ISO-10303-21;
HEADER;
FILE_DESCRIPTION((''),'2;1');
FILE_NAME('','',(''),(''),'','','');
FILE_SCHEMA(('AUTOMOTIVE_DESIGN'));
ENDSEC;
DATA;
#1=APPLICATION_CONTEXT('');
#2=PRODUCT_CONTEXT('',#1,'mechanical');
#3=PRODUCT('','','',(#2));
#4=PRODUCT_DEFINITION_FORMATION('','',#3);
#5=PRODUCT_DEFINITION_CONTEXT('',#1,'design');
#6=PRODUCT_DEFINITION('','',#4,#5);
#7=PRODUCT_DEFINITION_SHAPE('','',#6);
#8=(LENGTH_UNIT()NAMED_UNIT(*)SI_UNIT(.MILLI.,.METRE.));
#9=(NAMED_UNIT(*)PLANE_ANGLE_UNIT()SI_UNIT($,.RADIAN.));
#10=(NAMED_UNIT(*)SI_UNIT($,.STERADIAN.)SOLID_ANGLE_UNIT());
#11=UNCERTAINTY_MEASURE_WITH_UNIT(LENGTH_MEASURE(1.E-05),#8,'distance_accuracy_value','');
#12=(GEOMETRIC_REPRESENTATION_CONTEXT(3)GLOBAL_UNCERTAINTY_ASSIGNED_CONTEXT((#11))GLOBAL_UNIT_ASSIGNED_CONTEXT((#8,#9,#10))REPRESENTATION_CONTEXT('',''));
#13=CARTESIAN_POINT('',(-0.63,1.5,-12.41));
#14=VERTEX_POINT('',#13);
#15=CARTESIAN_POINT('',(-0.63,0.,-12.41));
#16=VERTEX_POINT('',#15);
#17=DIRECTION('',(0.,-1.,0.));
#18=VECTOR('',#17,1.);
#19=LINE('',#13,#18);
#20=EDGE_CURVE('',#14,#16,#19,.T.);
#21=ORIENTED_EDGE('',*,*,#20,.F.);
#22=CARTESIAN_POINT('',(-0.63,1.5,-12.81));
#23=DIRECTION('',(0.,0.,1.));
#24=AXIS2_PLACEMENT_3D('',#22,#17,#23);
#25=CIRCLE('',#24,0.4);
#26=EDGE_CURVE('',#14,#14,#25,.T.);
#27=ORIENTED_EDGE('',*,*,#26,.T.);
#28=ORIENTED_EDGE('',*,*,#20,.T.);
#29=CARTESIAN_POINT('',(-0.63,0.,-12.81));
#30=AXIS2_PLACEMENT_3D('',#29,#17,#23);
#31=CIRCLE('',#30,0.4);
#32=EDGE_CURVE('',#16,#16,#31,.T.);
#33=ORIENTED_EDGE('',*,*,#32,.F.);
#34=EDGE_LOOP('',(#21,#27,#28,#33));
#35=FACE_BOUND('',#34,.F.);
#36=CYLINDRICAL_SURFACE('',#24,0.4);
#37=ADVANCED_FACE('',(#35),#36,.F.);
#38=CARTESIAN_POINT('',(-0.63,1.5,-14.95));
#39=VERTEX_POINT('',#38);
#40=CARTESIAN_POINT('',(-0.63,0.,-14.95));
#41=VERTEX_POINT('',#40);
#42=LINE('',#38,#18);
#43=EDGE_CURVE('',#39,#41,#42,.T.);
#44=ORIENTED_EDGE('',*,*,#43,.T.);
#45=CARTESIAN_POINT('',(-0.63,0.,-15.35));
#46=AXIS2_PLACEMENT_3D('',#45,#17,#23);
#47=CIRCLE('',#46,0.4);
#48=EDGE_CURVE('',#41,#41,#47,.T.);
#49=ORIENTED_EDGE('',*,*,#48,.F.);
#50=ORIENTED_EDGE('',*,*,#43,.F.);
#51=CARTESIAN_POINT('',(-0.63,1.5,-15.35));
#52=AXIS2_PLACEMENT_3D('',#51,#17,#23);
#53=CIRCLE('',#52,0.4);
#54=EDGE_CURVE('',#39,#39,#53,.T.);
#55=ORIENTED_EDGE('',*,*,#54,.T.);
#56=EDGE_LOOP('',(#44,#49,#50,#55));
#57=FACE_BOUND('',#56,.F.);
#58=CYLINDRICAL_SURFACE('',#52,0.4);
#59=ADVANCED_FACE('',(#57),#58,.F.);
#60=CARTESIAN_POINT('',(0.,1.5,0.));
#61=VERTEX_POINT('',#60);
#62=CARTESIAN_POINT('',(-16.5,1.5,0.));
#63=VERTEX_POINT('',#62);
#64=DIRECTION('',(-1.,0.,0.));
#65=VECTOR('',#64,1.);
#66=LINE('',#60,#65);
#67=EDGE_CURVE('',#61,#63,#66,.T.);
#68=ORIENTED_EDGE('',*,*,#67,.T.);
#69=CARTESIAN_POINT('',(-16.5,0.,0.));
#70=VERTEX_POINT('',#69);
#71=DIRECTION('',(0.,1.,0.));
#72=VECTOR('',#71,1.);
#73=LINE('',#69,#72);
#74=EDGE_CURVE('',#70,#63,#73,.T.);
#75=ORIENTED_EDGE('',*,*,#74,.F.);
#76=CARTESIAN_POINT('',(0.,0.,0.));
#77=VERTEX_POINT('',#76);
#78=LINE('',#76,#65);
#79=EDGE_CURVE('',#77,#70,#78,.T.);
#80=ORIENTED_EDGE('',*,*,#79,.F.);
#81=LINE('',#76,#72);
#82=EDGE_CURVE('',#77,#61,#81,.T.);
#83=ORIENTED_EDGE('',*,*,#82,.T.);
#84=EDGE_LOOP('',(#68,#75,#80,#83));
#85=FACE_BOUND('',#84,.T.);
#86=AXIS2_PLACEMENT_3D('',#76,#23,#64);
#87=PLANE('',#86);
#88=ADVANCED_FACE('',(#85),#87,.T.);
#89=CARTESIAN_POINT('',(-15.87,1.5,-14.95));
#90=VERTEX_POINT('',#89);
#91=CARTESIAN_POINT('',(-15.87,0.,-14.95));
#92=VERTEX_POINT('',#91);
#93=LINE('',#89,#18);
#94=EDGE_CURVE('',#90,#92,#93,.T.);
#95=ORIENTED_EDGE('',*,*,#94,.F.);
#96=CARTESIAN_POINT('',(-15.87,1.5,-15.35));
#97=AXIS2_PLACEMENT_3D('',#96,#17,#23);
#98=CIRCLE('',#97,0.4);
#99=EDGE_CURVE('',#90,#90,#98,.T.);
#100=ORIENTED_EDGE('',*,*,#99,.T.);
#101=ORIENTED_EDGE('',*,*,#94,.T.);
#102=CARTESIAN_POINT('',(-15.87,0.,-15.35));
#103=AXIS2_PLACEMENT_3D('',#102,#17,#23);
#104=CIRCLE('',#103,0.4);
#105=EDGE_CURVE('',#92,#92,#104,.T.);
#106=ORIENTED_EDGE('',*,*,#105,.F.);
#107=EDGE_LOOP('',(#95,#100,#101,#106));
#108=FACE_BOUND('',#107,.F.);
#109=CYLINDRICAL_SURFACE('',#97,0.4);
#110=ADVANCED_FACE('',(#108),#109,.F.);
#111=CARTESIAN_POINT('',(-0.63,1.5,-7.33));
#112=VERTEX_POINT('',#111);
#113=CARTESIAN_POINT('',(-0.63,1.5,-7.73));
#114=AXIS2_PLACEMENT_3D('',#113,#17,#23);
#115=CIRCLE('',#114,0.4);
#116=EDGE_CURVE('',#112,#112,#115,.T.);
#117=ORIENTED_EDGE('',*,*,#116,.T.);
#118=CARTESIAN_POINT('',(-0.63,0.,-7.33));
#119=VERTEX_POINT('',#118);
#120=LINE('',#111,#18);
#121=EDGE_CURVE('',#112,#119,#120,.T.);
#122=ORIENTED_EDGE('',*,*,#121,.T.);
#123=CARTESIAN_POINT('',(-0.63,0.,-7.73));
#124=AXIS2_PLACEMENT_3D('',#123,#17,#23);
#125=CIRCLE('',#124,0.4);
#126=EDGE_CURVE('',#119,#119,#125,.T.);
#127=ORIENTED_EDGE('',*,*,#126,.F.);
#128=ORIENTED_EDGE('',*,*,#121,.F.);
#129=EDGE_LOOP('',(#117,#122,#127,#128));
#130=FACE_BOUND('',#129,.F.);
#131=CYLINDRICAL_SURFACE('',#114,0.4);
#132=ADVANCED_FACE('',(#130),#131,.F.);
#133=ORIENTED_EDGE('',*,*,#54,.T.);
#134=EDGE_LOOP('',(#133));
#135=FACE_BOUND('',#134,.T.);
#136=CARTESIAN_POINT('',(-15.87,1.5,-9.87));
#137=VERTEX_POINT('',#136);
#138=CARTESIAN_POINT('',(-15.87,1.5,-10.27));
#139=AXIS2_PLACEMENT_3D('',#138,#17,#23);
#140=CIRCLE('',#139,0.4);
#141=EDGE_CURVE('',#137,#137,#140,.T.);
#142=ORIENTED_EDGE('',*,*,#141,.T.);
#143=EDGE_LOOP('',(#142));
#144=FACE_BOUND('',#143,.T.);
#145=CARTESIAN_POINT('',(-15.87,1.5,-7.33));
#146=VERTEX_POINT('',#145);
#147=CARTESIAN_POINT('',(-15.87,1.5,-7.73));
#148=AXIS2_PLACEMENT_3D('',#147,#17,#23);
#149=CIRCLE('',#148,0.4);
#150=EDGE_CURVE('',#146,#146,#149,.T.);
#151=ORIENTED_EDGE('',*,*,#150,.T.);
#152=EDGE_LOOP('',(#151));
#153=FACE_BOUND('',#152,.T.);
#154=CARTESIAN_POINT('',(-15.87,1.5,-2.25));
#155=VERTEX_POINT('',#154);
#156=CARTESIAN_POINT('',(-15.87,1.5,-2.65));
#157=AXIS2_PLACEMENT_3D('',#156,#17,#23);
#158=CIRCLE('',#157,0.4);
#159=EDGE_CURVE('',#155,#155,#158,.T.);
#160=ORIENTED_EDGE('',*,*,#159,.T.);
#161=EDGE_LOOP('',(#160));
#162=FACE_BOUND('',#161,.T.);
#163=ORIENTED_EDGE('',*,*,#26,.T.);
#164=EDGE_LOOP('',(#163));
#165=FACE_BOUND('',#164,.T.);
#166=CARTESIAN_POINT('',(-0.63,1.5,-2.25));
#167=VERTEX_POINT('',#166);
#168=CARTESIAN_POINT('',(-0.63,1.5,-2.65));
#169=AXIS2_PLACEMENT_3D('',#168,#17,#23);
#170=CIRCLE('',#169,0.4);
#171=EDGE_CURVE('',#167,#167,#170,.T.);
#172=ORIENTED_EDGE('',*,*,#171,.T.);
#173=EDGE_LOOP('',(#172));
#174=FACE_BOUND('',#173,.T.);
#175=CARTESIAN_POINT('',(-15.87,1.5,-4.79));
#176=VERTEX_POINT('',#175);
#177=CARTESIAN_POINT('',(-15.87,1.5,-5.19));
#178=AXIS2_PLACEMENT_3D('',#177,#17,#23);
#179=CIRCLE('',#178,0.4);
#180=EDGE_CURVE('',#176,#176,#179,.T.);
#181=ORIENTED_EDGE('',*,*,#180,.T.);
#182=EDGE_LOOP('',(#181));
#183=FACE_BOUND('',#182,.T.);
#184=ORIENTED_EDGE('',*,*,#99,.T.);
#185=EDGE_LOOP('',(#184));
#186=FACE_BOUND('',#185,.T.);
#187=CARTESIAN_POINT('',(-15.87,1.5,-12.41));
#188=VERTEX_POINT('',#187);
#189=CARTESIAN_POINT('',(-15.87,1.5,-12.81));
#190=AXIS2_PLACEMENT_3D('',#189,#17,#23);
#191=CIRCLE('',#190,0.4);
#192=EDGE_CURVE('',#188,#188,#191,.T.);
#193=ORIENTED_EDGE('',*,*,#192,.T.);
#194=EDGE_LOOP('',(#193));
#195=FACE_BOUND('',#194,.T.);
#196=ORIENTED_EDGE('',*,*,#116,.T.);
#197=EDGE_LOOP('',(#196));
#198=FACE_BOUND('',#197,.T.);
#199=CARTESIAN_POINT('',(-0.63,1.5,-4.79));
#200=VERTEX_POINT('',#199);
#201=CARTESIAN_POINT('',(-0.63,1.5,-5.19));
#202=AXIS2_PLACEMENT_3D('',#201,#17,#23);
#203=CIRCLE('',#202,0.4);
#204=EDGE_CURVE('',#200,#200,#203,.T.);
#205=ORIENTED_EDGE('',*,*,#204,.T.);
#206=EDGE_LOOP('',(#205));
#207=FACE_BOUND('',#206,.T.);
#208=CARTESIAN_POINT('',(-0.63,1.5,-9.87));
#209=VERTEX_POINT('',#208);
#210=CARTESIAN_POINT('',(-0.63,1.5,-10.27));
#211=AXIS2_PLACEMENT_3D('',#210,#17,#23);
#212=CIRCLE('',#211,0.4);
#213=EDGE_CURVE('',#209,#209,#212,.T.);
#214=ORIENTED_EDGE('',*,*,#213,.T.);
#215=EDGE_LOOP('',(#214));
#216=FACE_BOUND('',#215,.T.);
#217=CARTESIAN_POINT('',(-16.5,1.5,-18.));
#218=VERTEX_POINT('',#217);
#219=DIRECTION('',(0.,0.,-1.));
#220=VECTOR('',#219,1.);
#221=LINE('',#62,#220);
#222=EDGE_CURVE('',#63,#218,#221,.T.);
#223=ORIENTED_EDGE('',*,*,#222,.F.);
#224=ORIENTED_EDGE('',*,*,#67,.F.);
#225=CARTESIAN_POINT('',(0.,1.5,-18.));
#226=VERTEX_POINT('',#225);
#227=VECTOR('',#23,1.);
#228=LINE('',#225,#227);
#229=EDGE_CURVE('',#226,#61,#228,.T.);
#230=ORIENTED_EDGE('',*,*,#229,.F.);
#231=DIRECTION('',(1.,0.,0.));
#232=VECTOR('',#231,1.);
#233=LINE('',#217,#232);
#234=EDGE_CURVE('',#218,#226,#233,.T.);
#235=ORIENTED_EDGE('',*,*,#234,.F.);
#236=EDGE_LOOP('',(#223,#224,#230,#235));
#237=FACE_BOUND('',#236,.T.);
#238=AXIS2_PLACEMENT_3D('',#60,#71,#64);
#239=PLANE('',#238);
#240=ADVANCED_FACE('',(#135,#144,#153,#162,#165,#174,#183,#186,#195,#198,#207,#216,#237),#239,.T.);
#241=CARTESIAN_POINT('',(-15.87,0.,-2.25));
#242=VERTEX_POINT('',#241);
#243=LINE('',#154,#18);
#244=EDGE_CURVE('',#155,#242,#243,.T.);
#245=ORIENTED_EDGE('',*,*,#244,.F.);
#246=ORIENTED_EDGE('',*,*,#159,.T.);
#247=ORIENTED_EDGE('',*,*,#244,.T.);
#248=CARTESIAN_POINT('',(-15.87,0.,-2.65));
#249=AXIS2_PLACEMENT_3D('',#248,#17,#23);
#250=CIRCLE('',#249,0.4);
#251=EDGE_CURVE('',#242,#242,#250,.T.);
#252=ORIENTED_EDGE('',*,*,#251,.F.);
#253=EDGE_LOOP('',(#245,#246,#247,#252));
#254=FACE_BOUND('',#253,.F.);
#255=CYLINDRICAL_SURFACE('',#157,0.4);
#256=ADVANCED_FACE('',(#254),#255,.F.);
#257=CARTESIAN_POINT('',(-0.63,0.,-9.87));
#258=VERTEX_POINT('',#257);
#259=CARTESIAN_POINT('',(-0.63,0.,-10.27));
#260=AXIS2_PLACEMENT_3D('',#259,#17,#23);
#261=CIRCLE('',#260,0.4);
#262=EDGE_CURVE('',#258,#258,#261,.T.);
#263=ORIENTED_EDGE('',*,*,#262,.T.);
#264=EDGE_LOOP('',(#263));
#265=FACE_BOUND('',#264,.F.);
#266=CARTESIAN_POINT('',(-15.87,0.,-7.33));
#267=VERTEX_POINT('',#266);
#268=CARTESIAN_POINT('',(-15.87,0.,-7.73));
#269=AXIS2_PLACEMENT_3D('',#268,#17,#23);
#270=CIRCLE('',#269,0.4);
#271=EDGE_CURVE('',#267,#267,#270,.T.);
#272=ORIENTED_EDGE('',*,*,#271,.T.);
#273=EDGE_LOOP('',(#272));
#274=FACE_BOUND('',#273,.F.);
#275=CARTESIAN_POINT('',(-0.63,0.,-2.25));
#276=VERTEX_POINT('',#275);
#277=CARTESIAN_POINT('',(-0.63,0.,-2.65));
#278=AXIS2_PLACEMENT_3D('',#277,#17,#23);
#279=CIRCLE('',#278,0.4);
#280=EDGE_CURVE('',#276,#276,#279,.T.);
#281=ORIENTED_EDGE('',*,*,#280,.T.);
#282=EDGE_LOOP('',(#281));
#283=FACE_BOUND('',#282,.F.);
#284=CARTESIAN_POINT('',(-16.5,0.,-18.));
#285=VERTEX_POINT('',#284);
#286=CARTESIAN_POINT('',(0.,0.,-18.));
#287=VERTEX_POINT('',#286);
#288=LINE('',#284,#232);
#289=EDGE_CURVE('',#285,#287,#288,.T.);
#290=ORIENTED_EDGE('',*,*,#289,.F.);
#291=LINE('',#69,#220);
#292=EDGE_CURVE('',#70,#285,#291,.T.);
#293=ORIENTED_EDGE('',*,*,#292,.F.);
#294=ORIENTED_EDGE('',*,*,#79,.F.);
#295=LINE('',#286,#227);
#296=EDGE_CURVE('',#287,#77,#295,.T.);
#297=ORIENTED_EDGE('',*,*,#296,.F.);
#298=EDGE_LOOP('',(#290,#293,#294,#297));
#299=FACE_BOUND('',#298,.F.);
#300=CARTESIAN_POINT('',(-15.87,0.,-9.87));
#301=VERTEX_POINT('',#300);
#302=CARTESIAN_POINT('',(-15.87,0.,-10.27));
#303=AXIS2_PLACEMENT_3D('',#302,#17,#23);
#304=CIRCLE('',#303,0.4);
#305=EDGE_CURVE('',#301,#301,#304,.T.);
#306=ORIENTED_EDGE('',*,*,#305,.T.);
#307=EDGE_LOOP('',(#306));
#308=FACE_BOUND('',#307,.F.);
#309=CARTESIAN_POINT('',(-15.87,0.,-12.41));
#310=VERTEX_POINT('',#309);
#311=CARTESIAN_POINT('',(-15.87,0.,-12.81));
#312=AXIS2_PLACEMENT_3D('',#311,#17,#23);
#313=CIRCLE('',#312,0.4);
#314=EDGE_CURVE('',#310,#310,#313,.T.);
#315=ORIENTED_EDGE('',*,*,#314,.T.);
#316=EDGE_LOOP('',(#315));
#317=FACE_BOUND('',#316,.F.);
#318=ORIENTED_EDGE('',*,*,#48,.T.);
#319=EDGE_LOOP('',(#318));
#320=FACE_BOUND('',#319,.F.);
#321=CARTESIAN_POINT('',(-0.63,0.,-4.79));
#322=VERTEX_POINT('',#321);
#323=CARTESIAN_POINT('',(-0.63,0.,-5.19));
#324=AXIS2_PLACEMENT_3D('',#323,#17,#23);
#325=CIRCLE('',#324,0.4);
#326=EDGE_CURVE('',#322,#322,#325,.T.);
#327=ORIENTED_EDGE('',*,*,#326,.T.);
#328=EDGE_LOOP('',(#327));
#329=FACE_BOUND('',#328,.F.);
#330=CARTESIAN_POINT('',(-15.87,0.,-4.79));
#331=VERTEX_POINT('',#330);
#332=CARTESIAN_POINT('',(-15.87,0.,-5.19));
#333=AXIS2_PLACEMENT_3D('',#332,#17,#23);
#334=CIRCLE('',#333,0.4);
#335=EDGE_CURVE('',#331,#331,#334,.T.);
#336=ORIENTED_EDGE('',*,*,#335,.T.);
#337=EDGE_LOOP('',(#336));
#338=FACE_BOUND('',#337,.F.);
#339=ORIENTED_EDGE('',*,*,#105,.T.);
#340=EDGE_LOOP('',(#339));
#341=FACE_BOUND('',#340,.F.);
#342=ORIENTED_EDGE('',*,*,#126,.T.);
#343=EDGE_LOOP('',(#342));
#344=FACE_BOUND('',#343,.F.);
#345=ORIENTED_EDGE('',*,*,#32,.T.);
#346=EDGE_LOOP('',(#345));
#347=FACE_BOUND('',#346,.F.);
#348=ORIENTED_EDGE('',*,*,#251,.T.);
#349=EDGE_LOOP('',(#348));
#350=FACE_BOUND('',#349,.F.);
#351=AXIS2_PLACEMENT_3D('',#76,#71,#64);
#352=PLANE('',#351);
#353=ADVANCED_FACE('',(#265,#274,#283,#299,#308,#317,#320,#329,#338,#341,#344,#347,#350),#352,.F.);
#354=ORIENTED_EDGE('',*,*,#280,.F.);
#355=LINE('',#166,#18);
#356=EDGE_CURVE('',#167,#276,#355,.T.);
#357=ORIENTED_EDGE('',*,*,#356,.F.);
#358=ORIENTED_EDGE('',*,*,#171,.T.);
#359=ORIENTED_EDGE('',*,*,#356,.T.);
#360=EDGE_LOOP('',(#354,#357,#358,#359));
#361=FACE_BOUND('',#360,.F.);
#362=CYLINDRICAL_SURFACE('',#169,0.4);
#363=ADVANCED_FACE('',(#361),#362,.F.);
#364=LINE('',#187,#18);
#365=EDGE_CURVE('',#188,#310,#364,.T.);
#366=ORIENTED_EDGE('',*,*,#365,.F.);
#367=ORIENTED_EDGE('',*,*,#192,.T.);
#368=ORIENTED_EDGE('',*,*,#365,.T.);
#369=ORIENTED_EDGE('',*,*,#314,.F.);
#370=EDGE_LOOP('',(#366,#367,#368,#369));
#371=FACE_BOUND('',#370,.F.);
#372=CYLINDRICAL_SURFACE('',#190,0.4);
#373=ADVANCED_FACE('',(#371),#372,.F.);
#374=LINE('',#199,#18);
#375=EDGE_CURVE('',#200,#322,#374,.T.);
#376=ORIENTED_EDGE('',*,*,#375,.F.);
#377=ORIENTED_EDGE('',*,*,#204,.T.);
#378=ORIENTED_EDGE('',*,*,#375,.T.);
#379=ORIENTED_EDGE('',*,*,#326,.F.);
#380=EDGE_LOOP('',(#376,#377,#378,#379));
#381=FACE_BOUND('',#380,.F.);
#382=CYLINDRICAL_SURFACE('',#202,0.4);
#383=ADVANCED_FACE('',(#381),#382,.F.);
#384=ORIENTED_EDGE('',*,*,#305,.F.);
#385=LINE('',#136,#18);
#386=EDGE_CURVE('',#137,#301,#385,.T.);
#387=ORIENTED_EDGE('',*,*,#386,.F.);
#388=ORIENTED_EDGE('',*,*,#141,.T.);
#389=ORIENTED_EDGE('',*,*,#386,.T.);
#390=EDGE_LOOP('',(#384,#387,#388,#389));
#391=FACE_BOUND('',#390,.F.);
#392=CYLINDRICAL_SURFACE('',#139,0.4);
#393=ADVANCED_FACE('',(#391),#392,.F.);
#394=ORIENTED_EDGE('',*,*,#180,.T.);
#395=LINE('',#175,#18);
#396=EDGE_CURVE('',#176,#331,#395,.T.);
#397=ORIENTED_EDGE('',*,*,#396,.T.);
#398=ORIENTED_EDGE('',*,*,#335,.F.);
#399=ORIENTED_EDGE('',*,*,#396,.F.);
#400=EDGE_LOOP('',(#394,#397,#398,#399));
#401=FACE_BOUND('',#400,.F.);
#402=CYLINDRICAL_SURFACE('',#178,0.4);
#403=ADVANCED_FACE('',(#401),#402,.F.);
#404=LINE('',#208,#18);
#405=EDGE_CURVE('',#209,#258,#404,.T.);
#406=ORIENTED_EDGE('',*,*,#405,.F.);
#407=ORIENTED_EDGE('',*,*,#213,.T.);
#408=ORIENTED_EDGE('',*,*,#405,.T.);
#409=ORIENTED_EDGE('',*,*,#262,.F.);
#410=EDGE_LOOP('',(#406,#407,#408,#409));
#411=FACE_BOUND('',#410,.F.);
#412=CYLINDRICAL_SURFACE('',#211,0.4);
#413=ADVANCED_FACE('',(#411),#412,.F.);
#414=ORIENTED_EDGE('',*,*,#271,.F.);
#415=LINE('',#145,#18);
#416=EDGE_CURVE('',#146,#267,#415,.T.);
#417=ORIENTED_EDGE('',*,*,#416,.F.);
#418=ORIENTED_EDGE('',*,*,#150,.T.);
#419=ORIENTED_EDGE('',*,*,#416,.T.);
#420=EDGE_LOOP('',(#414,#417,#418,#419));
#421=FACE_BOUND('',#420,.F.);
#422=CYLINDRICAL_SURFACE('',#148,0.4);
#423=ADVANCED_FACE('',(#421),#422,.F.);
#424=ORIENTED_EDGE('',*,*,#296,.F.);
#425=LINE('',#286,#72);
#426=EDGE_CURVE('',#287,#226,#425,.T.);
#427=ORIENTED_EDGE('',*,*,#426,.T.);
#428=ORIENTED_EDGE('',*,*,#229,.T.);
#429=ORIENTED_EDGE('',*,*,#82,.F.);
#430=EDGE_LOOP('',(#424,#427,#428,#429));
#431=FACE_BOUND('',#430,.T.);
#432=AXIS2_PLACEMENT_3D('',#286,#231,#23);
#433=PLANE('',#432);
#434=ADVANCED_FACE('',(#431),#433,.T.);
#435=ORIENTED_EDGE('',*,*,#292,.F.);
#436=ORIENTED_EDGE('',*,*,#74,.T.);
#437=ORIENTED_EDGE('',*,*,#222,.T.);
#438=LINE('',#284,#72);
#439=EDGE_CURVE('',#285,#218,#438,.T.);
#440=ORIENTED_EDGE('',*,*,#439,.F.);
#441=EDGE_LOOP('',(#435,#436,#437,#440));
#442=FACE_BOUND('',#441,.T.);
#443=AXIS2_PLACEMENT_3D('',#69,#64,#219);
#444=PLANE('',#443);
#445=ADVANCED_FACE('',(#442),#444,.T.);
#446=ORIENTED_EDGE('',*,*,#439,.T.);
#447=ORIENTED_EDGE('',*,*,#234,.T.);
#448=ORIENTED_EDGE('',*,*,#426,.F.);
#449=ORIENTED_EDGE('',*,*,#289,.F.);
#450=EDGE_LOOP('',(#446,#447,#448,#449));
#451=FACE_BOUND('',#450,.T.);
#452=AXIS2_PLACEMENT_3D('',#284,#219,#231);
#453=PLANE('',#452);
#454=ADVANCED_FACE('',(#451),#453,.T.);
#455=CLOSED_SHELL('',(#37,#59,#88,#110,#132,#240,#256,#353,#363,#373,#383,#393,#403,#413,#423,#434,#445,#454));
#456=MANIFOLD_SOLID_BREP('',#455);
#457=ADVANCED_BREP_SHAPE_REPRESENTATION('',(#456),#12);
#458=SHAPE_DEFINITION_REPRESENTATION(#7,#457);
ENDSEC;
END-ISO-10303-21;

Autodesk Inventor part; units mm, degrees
ref_plane "YZ Plane" through (0, 0, 0) normal (1, 0, 0) x (0, 1, 0)
ref_plane "XZ Plane" through (0, 0, 0) normal (0, 1, 0) x (-1, 0, 0)
ref_plane "XY Plane" through (0, 0, 0) normal (0, 0, 1) x (1, 0, 0)
sketch "Эскиз1" plane through (0, 0, 0) normal (0, 1, 0) x (-1, 0, 0)
  line L0 (0, 0) -> (16.5, 0)
  line L1 (16.5, 0) -> (16.5, -18)
  line L2 (16.5, -18) -> (0, -18)
  line L3 (0, -18) -> (0, 0)
  dimension "d0" = 16.5
  dimension "d1" = 18
extrude "Выдавливание1" add sketch "Эскиз1" along normal blind 1.5
sketch "Эскиз2" plane through (0, 1.5, 0) normal (0, 1, 0) x (1, 0, 0)
  line L0 (-16.5, 18) -> (-16.5, 0) projected
  line L1 (-16.5, 0) -> (0, 0) construction
  line L2 (-8.25, 0) -> (-8.25, 18) construction
  line L3 (0, 18) -> (-16.5, 18) construction
  line L4 (-15.87, 2.65) -> (-15.87, 0) construction
  line L5 (-15.87, 15.35) -> (-15.87, 18) construction
  line L6 (-15.87, 2.65) -> (-16.5, 2.65) construction
  point P0 (-15.87, 12.81)
  point P1 (-15.87, 10.27)
  point P2 (-15.87, 7.73)
  point P3 (-15.87, 5.19)
  point P4 (-0.63, 15.35)
  point P5 (-0.63, 12.81)
  point P6 (-0.63, 10.27)
  point P7 (-0.63, 7.73)
  point P8 (-0.63, 5.19)
  point P9 (-0.63, 2.65)
  dimension "d6" = 2.54
  dimension "d11" = 15.24
hole "Отверстие1" at (-15.87, 1.5, -15.35) at (-15.87, 1.5, -12.81) at (-15.87, 1.5, -10.27) at (-15.87, 1.5, -7.73) at (-15.87, 1.5, -5.19) at (-15.87, 1.5, -2.65) at (-0.63, 1.5, -2.65) at (-0.63, 1.5, -5.19) at (-0.63, 1.5, -7.73) at (-0.63, 1.5, -10.27) at (-0.63, 1.5, -12.81) at (-0.63, 1.5, -15.35) direction (0, -1, 0) diameter 0.8 end through all
properties part number "Драйвер моторов DRV8833"
